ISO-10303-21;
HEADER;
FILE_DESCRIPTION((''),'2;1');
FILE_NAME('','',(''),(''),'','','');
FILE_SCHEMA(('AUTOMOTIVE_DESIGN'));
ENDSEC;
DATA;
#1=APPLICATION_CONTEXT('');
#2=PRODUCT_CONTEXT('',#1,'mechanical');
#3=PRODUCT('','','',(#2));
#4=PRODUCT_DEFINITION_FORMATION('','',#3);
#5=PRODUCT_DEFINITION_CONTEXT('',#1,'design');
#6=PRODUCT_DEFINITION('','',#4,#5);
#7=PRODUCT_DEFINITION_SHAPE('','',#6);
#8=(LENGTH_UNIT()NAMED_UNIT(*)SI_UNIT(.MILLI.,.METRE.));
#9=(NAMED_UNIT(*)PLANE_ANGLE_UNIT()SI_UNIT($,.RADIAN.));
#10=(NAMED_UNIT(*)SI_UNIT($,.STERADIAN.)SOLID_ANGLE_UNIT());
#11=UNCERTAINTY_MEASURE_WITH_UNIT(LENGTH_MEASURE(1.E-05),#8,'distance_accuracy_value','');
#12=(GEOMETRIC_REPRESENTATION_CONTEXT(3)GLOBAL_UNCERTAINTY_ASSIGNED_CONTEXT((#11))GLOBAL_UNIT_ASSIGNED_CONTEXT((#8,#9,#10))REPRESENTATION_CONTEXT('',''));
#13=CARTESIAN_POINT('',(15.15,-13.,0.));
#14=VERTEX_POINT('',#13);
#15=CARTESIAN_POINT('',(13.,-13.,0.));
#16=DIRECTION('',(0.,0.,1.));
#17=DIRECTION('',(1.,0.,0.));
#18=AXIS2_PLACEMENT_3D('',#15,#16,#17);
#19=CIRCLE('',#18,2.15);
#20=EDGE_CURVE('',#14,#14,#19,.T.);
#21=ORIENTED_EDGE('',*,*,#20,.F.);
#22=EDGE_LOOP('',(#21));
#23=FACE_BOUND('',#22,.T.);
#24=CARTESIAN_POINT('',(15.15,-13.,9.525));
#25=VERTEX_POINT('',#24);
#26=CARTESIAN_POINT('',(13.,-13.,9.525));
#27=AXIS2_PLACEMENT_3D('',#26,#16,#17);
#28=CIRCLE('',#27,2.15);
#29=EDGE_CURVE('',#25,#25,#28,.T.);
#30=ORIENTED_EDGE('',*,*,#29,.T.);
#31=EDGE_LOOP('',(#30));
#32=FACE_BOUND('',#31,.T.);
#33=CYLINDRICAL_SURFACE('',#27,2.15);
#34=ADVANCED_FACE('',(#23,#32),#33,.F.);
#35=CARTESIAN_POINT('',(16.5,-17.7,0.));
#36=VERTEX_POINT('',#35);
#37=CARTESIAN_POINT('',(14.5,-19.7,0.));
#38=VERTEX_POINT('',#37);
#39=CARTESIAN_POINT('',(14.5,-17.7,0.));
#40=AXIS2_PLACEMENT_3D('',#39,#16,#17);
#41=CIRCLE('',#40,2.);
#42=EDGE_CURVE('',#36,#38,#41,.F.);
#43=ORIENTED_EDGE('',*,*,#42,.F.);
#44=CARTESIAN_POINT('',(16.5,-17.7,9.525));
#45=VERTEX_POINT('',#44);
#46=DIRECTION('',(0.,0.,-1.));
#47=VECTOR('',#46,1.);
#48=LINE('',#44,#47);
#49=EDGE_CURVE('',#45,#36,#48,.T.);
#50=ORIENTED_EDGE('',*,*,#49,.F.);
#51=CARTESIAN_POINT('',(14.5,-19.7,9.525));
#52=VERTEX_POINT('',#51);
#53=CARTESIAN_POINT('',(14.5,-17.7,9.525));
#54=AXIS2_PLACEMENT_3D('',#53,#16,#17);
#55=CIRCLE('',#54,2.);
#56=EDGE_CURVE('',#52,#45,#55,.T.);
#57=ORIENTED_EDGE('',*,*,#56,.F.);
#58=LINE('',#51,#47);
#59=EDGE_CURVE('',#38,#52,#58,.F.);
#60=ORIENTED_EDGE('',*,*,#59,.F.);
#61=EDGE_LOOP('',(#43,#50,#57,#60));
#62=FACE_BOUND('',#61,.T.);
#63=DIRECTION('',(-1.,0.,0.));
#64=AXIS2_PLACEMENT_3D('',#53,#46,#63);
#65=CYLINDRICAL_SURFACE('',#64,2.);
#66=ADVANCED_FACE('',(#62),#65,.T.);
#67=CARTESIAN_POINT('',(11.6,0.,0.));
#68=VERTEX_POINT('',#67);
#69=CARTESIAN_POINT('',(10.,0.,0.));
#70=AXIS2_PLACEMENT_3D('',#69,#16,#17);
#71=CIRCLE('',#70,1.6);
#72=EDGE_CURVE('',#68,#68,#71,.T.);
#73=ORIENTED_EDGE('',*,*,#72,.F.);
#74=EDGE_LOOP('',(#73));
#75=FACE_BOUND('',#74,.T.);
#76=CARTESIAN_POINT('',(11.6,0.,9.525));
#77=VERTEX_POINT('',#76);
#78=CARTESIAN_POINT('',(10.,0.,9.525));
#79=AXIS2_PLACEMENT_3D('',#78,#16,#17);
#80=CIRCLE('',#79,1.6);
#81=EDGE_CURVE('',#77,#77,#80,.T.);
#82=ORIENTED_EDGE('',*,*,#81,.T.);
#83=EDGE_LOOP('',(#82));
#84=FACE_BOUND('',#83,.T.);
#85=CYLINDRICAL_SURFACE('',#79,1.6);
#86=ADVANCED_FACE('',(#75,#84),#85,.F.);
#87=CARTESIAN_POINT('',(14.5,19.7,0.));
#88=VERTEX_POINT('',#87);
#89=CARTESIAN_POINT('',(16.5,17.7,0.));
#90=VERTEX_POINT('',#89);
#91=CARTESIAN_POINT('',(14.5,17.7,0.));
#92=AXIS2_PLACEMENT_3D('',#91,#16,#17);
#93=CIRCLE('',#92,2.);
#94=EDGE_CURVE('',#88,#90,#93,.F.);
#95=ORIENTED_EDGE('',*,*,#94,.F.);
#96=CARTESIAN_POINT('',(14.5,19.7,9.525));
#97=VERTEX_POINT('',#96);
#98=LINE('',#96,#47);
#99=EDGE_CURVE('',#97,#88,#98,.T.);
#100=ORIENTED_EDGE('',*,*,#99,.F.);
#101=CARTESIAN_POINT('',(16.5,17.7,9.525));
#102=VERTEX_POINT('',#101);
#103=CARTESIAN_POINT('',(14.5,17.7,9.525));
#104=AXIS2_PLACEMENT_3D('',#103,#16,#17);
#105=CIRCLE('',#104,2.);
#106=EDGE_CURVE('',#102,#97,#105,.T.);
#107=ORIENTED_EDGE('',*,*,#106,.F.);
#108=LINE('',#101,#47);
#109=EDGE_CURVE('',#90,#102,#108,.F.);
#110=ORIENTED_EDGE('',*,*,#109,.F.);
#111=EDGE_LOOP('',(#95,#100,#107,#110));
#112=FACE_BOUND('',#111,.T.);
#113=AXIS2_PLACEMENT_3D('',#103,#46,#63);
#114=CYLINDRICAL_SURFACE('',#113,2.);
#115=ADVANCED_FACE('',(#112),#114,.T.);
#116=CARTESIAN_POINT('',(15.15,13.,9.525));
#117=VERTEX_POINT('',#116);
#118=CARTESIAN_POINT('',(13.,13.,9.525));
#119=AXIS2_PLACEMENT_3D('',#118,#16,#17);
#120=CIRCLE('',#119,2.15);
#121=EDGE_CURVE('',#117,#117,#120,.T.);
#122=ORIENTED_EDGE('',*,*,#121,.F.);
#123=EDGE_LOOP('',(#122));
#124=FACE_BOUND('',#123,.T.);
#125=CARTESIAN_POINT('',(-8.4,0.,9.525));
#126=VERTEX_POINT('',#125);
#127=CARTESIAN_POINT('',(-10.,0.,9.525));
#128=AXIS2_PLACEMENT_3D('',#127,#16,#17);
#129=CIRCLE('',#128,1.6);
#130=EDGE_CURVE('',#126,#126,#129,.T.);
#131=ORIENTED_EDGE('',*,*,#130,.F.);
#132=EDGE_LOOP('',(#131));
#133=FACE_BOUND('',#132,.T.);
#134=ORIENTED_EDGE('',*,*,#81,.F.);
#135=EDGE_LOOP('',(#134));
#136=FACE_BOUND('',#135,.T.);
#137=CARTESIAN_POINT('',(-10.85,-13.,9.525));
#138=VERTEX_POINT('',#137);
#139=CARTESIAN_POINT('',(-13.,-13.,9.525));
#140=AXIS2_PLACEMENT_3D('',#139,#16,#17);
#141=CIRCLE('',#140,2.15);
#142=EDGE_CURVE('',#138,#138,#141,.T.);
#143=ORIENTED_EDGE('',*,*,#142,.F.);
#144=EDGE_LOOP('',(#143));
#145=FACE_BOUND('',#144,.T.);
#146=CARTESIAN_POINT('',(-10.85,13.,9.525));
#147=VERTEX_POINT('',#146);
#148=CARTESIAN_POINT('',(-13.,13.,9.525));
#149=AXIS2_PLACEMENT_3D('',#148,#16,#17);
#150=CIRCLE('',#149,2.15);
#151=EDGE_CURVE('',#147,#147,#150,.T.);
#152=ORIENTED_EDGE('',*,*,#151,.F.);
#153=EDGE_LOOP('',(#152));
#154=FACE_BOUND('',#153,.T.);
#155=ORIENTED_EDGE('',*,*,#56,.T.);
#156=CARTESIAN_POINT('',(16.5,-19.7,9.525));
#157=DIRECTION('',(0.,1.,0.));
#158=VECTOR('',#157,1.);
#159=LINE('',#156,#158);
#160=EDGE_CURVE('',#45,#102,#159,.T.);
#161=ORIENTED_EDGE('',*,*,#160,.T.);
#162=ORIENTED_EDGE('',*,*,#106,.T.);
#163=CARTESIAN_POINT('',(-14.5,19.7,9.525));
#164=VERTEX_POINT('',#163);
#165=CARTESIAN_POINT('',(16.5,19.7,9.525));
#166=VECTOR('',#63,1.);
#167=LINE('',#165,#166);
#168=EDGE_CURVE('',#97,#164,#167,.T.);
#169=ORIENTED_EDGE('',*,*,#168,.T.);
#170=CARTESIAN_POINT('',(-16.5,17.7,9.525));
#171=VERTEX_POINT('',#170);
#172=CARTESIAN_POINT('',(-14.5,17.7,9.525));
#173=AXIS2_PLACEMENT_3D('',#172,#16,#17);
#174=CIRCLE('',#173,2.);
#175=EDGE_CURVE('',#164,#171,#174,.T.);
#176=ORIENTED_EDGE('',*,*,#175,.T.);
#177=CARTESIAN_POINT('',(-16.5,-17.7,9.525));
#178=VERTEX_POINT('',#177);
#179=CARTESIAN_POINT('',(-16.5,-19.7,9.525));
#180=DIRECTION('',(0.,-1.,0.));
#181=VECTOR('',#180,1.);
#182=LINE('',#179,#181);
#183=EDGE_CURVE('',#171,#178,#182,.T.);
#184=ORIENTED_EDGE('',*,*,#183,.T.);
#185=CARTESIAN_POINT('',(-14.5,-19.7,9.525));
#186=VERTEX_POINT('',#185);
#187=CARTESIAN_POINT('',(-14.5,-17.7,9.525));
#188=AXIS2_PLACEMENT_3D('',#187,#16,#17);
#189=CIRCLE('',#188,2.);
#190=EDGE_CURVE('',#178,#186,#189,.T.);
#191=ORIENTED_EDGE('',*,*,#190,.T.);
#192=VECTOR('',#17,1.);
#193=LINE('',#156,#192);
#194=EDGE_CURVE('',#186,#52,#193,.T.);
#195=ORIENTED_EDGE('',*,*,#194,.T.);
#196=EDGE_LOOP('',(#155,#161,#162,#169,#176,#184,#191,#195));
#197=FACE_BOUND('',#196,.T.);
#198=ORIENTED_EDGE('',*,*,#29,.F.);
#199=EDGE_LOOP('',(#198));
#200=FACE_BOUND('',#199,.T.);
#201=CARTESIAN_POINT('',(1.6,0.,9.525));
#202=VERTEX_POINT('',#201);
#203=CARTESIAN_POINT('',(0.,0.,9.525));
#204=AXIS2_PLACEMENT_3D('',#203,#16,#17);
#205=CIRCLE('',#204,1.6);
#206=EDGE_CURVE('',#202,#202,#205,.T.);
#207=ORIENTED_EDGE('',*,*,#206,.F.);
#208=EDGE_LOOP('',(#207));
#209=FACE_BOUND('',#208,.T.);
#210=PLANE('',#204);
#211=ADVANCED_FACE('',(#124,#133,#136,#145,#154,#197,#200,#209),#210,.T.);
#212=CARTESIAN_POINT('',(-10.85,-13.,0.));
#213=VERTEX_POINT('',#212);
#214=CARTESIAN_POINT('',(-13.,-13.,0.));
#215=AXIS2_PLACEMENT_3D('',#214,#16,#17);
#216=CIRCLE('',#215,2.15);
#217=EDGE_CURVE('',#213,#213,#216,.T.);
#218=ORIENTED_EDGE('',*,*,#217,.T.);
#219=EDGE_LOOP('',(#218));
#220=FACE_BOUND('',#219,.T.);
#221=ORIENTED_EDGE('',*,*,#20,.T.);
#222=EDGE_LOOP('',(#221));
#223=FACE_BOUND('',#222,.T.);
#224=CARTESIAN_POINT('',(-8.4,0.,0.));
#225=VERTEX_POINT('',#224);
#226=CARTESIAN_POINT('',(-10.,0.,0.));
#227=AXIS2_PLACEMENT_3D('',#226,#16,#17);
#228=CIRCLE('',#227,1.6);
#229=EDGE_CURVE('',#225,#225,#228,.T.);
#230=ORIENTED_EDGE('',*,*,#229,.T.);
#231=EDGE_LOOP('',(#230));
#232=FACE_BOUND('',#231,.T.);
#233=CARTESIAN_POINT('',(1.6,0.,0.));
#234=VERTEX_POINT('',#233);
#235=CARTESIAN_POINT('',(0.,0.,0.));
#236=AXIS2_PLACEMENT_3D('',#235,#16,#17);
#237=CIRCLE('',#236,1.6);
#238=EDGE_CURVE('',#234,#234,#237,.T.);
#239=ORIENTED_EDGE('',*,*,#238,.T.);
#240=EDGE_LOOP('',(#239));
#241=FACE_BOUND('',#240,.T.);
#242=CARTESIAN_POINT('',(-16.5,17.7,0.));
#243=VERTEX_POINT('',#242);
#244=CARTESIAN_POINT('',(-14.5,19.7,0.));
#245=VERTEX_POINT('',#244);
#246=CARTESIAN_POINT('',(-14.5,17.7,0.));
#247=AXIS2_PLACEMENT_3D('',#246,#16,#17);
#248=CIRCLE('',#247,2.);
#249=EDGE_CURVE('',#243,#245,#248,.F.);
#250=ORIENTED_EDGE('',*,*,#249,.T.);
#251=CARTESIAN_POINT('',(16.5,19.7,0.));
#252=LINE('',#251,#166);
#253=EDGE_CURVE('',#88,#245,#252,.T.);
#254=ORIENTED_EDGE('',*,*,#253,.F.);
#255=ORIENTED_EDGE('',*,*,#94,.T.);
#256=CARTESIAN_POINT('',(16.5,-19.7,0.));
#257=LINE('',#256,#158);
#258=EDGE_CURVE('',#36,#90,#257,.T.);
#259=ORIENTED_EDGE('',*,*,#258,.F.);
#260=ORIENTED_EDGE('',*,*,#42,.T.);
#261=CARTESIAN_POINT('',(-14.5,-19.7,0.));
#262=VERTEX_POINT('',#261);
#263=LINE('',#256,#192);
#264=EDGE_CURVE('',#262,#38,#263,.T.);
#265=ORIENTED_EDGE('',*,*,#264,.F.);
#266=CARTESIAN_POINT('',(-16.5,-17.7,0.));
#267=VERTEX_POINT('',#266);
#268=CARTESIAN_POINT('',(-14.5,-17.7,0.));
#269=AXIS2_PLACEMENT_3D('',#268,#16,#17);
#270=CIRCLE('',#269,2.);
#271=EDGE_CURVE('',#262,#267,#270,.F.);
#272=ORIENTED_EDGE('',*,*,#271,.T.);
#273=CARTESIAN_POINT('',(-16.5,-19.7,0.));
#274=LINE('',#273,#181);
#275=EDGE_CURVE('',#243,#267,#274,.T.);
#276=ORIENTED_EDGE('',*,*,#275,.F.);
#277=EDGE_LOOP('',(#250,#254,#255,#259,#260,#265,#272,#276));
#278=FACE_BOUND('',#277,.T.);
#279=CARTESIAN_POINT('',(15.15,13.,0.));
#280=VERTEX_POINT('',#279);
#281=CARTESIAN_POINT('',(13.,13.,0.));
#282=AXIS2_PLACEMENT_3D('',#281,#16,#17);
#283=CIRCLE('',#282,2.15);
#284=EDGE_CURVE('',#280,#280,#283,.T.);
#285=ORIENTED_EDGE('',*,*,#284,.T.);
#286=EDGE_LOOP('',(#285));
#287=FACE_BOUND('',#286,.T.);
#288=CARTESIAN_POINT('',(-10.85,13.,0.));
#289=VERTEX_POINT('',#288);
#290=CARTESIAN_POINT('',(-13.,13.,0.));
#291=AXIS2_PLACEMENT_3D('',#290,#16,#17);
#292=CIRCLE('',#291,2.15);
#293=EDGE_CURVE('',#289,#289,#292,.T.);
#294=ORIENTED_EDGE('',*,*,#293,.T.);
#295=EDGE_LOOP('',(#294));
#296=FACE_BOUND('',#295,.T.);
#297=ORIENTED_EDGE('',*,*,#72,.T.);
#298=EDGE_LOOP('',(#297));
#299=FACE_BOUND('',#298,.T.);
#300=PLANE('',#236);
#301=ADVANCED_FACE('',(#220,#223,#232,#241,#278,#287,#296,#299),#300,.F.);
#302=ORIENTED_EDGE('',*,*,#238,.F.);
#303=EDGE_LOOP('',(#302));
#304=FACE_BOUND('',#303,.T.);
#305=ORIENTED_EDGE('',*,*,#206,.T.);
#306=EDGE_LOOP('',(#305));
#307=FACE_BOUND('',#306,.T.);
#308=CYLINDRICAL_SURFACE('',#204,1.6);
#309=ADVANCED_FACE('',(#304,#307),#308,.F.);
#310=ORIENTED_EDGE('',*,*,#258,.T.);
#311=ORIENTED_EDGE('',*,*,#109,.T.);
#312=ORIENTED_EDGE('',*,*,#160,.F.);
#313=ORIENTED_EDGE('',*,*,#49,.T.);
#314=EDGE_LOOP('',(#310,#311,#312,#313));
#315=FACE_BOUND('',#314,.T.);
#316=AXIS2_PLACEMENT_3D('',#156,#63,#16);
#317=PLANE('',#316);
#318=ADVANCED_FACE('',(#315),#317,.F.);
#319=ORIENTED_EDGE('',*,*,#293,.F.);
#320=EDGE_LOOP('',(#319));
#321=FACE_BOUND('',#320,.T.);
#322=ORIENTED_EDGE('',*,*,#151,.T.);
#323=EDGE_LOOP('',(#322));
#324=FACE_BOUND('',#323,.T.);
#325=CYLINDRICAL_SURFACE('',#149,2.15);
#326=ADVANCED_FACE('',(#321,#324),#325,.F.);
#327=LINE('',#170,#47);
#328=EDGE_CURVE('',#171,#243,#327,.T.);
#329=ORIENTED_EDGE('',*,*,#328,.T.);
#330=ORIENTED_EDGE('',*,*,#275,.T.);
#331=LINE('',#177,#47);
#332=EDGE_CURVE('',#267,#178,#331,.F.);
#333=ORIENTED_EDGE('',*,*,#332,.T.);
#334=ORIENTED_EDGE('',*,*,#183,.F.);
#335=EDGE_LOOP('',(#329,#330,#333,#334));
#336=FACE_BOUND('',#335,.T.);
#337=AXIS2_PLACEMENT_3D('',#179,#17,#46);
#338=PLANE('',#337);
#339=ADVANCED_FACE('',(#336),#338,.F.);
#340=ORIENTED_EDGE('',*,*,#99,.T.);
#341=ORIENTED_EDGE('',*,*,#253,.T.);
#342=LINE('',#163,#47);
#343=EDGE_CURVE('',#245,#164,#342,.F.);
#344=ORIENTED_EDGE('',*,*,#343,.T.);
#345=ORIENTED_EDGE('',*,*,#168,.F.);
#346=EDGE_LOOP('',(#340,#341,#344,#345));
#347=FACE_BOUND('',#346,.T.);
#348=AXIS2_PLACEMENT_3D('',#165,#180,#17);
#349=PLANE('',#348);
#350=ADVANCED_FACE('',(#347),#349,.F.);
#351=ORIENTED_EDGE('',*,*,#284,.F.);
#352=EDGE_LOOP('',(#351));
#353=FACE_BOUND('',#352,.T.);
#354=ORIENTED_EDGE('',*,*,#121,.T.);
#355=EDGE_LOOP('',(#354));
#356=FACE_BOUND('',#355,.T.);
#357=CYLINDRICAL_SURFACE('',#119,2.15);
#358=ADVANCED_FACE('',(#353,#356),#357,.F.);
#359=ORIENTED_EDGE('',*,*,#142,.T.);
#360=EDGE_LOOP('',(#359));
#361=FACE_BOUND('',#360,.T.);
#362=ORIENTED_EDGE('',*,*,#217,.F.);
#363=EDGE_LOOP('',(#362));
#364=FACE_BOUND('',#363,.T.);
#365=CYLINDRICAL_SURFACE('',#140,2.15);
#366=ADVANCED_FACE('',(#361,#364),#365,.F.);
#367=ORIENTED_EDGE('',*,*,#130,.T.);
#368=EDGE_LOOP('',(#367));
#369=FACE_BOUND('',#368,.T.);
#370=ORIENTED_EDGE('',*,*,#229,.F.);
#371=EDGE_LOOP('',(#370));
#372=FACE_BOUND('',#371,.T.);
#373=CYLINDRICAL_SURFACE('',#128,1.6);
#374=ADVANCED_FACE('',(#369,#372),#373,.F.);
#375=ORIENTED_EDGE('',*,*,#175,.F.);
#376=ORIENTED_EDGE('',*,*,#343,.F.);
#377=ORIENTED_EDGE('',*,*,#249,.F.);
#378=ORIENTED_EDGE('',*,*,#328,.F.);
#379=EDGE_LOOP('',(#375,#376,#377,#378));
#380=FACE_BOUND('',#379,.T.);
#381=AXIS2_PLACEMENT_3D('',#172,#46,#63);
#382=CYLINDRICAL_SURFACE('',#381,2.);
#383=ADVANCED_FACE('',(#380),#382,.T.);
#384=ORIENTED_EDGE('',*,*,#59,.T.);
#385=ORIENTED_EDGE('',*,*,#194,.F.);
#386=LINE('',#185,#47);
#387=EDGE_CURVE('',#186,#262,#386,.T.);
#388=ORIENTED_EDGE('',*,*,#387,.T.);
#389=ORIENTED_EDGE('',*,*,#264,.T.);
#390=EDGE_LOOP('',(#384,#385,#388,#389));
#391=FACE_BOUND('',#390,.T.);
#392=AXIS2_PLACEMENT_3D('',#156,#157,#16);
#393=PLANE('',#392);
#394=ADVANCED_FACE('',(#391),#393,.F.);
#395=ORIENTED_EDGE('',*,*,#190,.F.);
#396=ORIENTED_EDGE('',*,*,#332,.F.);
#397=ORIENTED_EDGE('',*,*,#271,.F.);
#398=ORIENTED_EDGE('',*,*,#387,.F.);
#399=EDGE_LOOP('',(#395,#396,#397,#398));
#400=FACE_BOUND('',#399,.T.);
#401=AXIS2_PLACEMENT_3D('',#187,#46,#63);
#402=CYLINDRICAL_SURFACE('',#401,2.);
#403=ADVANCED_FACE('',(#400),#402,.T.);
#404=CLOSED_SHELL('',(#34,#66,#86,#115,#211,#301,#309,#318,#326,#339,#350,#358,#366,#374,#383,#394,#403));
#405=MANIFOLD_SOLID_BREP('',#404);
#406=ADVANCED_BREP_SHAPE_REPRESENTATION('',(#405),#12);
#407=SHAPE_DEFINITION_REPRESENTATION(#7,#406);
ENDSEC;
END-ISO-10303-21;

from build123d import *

# Parameters (mm, degrees)
SKETCH1_W            = 33
SKETCH1_H            = 39.4
BOSS_EXTRUDE1_DEPTH  = 9.525
M3_CLEARANCE_HOLE1_D = 3.2
M4_CLEARANCE_HOLE1_D = 4.3
FILLET1_R            = 2


with BuildPart() as part:
    # Sketch1 → Boss-Extrude1 (new body)
    with BuildSketch(Plane.XY):
        Rectangle(SKETCH1_W, SKETCH1_H)
    extrude(amount=BOSS_EXTRUDE1_DEPTH)

    # M3 Clearance Hole1 (through all)
    with Locations(Plane.XY.offset(9.525)):
        with Locations((-10, 0), (0, 0), (10, 0)):
            Hole(M3_CLEARANCE_HOLE1_D / 2)

    # M4 Clearance Hole1 (through all)
    with Locations(Plane.XY.offset(9.525)):
        with Locations((-13, 13), (-13, -13), (13, -13), (13, 13)):
            Hole(M4_CLEARANCE_HOLE1_D / 2)

    # Fillet1
    fillet1_edges = [part.edges().sort_by_distance(p)[0] for p in [
        (-16.5, 19.7, 4.7625),
        (16.5, 19.7, 4.7625),
        (16.5, -19.7, 4.7625),
        (-16.5, -19.7, 4.7625),
    ]]
    fillet(fillet1_edges, radius=FILLET1_R)


solid = part.part
